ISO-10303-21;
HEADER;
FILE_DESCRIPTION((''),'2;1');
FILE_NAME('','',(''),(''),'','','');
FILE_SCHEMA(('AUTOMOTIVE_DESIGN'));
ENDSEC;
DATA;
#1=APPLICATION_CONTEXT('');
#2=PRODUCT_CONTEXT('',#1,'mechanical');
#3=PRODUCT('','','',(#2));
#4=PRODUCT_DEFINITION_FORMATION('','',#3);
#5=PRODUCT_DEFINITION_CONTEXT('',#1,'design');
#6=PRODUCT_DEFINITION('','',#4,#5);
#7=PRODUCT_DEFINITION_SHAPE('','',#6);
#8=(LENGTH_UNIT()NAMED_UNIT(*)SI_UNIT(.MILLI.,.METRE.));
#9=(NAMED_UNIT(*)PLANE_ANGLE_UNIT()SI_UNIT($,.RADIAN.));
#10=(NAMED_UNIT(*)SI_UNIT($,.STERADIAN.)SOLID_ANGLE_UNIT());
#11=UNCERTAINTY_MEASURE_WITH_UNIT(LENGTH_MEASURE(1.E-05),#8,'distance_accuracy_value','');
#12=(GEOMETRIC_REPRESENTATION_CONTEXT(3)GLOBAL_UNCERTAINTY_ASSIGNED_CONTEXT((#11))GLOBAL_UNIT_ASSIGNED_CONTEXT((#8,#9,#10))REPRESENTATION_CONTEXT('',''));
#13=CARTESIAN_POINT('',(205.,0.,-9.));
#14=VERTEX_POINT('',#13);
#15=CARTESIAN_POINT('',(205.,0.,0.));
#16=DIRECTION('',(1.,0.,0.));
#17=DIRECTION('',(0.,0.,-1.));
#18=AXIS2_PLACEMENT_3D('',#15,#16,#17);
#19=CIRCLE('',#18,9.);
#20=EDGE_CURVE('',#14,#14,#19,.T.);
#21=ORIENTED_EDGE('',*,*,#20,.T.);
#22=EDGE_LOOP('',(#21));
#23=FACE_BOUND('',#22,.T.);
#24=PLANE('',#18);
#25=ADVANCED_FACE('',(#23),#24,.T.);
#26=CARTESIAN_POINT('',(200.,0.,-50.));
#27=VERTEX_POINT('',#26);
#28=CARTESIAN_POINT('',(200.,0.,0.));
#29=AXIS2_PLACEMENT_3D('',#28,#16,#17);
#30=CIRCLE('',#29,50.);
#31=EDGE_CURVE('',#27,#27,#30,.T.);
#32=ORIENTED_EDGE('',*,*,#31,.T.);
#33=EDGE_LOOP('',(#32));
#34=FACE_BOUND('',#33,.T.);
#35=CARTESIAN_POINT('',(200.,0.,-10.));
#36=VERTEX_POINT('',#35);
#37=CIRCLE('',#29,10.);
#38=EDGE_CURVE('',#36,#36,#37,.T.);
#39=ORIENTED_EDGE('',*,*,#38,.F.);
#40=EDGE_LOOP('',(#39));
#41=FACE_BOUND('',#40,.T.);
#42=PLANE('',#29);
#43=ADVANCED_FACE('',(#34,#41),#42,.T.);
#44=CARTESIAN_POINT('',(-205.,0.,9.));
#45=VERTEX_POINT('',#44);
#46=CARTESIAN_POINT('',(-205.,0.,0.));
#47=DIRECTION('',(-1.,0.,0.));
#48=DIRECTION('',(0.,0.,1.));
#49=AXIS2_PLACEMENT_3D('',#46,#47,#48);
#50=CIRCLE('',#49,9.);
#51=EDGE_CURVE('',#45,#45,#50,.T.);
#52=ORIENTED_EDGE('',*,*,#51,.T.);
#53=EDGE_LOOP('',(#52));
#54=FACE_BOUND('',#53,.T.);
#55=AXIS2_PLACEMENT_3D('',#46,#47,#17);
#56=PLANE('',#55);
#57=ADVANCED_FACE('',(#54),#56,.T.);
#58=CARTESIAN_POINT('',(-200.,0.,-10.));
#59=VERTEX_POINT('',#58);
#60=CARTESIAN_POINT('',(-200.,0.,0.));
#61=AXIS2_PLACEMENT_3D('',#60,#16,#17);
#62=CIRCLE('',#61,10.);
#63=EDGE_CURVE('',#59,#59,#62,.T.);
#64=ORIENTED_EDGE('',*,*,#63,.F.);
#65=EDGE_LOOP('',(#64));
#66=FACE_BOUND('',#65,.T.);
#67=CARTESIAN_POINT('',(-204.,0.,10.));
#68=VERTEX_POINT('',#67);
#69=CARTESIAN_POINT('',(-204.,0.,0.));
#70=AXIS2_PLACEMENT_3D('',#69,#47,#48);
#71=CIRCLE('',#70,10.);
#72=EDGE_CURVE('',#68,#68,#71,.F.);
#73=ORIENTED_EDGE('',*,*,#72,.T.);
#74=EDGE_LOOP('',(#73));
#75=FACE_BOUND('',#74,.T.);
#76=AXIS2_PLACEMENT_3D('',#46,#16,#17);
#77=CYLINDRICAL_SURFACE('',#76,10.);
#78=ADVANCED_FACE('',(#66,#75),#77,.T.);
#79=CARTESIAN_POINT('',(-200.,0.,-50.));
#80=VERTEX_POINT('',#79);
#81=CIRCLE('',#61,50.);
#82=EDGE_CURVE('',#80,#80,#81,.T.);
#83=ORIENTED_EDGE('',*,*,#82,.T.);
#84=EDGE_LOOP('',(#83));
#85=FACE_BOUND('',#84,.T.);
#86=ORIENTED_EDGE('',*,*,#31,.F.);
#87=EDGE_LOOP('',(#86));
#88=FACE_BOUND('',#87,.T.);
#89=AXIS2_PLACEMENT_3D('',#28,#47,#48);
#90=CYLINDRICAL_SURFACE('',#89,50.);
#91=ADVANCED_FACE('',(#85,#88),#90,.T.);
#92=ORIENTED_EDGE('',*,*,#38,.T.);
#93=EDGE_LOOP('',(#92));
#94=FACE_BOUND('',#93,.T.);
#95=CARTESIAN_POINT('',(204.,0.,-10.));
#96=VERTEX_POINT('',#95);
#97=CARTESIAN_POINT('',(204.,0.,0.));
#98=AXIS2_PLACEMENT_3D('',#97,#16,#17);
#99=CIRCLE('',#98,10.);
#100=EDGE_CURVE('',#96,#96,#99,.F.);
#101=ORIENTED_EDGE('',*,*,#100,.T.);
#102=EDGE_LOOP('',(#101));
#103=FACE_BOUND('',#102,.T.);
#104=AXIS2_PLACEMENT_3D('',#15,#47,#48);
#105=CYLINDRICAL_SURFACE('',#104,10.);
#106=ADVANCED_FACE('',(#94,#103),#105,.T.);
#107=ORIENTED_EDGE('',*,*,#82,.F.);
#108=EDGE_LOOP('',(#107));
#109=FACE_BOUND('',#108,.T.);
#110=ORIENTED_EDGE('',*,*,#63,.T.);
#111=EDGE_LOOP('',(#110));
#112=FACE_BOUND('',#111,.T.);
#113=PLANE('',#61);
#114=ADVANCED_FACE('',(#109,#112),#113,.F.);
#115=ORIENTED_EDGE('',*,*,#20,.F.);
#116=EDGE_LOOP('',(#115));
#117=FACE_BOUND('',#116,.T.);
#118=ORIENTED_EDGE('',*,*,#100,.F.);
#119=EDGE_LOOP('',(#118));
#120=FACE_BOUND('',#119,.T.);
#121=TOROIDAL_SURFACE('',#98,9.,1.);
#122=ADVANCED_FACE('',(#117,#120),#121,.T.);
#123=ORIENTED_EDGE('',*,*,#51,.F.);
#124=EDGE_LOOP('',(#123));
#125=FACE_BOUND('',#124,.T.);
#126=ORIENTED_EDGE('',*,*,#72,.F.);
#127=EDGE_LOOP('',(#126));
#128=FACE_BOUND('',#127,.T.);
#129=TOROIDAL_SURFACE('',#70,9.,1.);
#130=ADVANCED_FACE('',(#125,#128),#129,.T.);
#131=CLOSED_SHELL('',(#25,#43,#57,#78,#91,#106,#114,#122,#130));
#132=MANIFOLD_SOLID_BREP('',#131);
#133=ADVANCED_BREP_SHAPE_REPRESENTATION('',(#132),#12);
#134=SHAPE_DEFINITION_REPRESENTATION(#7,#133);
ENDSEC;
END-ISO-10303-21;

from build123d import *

# Parameters (mm, degrees)
SKETCH1_R            = 50
BOSS_EXTRUDE1_DEPTH  = 200
SKETCH2_R            = 10
BOSS_EXTRUDE2_DEPTH  = 5
FILLET1_R            = 1
FILLET1_OF_MIRROR3_R = 1


with BuildPart() as part:
    # Sketch1 → Boss-Extrude1 (new, symmetric)
    with BuildSketch(Plane(origin=(0, 0, 0), x_dir=(0, 0, -1), z_dir=(1, 0, 0))):
        Circle(SKETCH1_R)
    extrude(amount=BOSS_EXTRUDE1_DEPTH, both=True)

    # Sketch2 → Boss-Extrude2 (add)
    with BuildSketch(Plane(origin=(200, 0, 0), x_dir=(0, 0, -1), z_dir=(1, 0, 0))):
        Circle(SKETCH2_R)
    boss_extrude2 = extrude(amount=BOSS_EXTRUDE2_DEPTH)

    # Fillet1
    fillet1_edges = [part.edges().sort_by_distance(p)[0] for p in [
        (205, 0, 10),
    ]]
    fillet(fillet1_edges, radius=FILLET1_R)

    # Mirror3: Boss-Extrude2 across plane
    add(boss_extrude2.mirror(Plane(origin=(0, 0, 0), x_dir=(0, 0, 1), z_dir=(1, 0, 0))))

    # Fillet1 of Mirror3
    fillet1_of_mirror3_edges = [part.edges().sort_by_distance(p)[0] for p in [
        (-205, 0, 10),
    ]]
    fillet(fillet1_of_mirror3_edges, radius=FILLET1_OF_MIRROR3_R)


solid = part.part
